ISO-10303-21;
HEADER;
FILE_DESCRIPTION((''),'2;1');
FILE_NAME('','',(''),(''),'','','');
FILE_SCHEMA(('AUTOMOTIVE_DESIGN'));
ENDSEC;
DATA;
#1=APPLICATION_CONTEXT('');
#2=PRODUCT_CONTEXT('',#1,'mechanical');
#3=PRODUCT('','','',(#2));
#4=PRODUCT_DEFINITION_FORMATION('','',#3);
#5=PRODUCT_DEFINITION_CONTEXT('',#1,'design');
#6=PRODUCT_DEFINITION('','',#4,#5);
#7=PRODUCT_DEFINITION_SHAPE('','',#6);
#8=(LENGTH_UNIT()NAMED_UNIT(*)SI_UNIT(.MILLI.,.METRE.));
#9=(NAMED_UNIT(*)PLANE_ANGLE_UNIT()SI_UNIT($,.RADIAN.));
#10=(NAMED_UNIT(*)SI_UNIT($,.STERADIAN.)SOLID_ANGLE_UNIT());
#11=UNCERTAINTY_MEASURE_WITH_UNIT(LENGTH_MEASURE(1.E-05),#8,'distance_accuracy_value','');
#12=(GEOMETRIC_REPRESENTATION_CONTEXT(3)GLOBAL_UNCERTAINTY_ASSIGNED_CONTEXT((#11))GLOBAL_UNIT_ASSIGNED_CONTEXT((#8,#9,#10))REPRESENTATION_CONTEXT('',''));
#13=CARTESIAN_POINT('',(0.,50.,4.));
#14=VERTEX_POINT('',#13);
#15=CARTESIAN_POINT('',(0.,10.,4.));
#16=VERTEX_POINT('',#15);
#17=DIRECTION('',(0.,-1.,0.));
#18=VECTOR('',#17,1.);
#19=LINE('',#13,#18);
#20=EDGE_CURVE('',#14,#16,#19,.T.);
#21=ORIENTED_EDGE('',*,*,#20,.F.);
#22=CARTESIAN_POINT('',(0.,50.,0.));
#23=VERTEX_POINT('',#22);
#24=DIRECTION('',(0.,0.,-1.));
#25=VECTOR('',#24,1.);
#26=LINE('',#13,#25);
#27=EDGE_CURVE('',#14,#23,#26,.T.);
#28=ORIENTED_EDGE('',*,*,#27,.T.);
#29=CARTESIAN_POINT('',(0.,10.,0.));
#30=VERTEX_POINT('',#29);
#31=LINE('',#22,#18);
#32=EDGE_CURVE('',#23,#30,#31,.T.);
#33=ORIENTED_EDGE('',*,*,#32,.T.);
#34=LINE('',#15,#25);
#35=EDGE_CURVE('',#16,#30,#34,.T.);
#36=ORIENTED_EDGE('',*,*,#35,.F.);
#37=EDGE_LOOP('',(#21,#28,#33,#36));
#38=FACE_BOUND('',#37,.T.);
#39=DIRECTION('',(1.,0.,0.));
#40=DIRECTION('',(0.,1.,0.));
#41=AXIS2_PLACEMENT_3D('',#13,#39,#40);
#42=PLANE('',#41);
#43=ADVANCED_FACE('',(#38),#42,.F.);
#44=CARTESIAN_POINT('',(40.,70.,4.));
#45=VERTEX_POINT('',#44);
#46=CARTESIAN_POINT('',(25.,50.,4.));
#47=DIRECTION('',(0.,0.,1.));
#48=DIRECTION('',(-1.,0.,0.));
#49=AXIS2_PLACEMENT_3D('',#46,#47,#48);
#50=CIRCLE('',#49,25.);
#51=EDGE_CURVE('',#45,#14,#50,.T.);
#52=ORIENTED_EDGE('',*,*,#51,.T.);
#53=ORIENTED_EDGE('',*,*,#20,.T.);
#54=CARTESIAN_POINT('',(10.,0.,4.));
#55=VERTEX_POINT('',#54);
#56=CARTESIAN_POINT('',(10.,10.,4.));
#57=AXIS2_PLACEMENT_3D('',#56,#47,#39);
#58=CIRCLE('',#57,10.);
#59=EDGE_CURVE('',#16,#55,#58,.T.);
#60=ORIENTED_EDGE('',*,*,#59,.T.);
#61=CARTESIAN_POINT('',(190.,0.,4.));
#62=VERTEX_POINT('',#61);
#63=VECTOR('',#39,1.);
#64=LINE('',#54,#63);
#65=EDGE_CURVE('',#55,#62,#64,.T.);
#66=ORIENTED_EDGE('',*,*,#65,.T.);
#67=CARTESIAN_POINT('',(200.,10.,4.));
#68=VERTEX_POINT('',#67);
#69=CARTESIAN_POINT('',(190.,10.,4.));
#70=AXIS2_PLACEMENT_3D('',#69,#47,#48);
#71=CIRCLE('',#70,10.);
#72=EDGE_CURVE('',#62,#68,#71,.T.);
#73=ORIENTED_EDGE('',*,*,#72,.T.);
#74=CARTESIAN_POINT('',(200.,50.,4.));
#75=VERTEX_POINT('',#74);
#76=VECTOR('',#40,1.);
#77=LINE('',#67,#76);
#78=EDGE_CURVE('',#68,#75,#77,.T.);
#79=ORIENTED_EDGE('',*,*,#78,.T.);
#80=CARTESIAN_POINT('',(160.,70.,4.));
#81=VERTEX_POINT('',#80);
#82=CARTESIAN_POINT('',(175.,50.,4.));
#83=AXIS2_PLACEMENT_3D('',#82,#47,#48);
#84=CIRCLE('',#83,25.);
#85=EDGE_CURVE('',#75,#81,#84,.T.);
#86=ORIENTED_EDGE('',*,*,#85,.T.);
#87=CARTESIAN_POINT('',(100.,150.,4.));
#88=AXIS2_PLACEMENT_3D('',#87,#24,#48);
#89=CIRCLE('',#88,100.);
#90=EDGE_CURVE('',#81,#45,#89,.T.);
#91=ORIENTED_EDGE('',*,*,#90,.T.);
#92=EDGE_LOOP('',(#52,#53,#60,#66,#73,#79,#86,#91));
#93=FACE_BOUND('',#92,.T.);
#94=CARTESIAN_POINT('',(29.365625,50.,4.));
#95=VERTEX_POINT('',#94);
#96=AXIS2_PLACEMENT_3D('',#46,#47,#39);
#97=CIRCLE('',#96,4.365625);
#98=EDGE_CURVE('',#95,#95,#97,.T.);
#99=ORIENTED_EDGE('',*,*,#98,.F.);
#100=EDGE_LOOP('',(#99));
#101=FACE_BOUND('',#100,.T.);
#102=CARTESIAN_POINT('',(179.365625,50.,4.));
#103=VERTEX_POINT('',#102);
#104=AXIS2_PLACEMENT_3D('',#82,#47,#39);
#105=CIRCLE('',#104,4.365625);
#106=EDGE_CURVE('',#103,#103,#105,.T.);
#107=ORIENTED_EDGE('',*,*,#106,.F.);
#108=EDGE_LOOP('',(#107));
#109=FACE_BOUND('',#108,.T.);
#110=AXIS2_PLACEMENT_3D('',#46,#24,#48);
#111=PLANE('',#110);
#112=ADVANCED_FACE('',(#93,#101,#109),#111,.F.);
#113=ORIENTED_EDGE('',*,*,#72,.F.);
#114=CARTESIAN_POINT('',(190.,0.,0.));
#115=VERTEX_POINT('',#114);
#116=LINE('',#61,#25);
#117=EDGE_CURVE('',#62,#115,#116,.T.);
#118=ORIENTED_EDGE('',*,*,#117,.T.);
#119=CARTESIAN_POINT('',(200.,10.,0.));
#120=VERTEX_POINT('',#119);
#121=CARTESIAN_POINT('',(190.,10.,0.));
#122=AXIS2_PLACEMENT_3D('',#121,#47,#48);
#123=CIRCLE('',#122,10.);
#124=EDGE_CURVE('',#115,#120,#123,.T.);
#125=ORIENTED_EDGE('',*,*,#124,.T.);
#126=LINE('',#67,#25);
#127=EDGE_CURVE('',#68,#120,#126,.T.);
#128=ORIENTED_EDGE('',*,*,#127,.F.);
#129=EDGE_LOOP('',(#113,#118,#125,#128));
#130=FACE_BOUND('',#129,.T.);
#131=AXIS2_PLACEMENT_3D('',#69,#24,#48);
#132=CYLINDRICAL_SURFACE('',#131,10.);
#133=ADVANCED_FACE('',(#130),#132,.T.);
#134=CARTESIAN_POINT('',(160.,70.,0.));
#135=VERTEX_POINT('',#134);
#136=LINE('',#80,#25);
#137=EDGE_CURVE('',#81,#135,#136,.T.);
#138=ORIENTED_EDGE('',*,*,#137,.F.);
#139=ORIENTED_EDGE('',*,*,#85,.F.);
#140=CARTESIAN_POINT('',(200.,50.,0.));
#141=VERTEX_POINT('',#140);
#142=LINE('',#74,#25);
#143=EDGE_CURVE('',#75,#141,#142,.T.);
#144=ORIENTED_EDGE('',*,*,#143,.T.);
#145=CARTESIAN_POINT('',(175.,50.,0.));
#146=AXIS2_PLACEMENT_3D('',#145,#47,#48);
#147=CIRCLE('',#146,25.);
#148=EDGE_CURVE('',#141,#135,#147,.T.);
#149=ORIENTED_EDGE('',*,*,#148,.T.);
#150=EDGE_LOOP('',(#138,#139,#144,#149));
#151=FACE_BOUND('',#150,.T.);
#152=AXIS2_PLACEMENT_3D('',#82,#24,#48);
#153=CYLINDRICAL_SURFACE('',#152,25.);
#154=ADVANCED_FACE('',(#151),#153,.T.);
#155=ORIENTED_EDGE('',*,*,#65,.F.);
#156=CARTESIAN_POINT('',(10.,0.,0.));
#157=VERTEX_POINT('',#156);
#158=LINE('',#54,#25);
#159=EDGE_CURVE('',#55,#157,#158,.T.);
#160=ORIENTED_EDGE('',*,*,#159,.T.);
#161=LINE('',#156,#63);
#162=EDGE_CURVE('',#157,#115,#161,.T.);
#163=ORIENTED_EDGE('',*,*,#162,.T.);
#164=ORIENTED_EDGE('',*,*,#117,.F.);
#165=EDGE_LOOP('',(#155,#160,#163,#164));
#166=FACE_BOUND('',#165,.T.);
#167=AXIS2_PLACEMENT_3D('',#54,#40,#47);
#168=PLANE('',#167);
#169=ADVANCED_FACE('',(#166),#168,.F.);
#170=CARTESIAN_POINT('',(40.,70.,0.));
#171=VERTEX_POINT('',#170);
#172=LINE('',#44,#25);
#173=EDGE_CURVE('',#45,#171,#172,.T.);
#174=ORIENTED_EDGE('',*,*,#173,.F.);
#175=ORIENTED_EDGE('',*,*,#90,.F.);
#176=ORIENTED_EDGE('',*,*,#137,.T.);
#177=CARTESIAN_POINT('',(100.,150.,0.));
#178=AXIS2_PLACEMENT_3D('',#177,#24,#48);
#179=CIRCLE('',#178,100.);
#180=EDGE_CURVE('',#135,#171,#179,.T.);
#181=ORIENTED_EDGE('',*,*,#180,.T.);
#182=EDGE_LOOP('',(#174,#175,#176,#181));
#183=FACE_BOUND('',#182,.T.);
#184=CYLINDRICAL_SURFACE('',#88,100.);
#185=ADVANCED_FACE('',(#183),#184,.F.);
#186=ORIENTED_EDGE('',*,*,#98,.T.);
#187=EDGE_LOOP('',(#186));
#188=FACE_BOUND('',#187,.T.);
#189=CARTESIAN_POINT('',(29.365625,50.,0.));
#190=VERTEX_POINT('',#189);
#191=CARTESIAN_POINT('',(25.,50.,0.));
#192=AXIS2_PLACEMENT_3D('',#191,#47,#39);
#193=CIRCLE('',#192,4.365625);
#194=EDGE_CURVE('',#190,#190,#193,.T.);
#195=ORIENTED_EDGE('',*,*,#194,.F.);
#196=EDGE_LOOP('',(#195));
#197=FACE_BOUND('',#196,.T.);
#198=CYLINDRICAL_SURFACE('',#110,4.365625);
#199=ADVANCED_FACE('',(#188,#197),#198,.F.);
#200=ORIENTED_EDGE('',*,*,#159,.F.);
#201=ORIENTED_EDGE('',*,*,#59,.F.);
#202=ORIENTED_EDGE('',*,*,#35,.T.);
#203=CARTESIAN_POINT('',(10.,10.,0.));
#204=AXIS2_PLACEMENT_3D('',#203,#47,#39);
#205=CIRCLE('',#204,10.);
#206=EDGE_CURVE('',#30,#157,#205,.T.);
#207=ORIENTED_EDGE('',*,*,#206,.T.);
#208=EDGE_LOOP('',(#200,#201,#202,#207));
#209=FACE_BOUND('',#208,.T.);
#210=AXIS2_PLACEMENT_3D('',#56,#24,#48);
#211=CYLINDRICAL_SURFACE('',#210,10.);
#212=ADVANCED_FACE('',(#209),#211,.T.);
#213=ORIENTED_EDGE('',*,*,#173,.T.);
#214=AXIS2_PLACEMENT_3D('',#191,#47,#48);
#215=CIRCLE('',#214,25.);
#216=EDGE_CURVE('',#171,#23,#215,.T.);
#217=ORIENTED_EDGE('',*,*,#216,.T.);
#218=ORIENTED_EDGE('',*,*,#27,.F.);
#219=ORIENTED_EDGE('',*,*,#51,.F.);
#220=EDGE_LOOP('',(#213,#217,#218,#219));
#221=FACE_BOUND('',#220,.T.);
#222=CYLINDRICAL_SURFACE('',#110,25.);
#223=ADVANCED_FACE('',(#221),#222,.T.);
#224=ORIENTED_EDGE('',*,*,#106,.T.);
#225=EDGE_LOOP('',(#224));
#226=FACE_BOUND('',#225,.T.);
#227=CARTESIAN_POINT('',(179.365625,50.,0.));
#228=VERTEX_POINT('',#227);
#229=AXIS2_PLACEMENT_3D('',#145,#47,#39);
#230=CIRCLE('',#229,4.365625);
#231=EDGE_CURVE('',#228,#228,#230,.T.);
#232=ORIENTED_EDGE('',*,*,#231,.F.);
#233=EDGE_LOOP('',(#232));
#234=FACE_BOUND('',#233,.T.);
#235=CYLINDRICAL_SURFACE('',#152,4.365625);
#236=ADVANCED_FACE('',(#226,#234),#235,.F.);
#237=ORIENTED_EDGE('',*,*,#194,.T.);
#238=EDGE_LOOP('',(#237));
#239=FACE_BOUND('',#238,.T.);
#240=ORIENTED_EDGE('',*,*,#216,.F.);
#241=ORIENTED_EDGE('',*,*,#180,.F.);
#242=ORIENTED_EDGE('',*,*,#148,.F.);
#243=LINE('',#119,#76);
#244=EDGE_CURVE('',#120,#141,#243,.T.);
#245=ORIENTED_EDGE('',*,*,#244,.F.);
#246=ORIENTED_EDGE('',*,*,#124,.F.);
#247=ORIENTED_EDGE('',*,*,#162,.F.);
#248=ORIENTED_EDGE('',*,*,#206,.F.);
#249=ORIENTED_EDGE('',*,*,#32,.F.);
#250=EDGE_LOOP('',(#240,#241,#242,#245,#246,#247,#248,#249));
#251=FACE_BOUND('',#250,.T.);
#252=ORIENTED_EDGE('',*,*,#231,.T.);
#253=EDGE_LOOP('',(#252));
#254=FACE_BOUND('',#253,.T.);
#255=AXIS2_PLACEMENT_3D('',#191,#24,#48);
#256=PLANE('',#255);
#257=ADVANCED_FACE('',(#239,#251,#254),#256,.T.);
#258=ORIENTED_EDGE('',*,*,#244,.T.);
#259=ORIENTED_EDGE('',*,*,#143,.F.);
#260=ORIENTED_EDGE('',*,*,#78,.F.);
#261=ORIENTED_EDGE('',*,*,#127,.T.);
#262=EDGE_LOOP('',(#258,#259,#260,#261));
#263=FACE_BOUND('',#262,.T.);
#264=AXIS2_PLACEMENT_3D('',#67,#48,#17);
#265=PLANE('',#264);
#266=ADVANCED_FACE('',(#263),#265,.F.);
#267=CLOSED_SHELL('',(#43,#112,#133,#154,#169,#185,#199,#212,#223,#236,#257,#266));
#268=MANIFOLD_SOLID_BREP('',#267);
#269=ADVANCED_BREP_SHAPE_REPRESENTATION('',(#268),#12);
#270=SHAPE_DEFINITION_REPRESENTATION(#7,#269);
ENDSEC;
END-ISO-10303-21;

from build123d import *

# Parameters (mm, degrees)
SKETCH1_R           = 4.365625
BOSS_EXTRUDE1_DEPTH = 4


with BuildPart() as part:
    # Sketch1 → Boss-Extrude1 (new body)
    with BuildSketch(Plane.XY):
        with BuildLine():
            Line((10, 0), (190, 0))
            ThreePointArc((190, 0), (197.071067812, 2.928932188), (200, 10))
            Line((200, 10), (200, 50))
            ThreePointArc((200, 50), (186.180339887, 72.360679775), (160, 70))
            ThreePointArc((160, 70), (100, 50), (40, 70))
            ThreePointArc((40, 70), (13.819660113, 72.360679775), (0, 50))
            Line((0, 50), (0, 10))
            ThreePointArc((0, 10), (2.928932188, 2.928932188), (10, 0))
        make_face()
        with Locations((25, 50)):
            Circle(SKETCH1_R, mode=Mode.SUBTRACT)
        with Locations((175, 50)):
            Circle(SKETCH1_R, mode=Mode.SUBTRACT)
    extrude(amount=BOSS_EXTRUDE1_DEPTH)


solid = part.part
